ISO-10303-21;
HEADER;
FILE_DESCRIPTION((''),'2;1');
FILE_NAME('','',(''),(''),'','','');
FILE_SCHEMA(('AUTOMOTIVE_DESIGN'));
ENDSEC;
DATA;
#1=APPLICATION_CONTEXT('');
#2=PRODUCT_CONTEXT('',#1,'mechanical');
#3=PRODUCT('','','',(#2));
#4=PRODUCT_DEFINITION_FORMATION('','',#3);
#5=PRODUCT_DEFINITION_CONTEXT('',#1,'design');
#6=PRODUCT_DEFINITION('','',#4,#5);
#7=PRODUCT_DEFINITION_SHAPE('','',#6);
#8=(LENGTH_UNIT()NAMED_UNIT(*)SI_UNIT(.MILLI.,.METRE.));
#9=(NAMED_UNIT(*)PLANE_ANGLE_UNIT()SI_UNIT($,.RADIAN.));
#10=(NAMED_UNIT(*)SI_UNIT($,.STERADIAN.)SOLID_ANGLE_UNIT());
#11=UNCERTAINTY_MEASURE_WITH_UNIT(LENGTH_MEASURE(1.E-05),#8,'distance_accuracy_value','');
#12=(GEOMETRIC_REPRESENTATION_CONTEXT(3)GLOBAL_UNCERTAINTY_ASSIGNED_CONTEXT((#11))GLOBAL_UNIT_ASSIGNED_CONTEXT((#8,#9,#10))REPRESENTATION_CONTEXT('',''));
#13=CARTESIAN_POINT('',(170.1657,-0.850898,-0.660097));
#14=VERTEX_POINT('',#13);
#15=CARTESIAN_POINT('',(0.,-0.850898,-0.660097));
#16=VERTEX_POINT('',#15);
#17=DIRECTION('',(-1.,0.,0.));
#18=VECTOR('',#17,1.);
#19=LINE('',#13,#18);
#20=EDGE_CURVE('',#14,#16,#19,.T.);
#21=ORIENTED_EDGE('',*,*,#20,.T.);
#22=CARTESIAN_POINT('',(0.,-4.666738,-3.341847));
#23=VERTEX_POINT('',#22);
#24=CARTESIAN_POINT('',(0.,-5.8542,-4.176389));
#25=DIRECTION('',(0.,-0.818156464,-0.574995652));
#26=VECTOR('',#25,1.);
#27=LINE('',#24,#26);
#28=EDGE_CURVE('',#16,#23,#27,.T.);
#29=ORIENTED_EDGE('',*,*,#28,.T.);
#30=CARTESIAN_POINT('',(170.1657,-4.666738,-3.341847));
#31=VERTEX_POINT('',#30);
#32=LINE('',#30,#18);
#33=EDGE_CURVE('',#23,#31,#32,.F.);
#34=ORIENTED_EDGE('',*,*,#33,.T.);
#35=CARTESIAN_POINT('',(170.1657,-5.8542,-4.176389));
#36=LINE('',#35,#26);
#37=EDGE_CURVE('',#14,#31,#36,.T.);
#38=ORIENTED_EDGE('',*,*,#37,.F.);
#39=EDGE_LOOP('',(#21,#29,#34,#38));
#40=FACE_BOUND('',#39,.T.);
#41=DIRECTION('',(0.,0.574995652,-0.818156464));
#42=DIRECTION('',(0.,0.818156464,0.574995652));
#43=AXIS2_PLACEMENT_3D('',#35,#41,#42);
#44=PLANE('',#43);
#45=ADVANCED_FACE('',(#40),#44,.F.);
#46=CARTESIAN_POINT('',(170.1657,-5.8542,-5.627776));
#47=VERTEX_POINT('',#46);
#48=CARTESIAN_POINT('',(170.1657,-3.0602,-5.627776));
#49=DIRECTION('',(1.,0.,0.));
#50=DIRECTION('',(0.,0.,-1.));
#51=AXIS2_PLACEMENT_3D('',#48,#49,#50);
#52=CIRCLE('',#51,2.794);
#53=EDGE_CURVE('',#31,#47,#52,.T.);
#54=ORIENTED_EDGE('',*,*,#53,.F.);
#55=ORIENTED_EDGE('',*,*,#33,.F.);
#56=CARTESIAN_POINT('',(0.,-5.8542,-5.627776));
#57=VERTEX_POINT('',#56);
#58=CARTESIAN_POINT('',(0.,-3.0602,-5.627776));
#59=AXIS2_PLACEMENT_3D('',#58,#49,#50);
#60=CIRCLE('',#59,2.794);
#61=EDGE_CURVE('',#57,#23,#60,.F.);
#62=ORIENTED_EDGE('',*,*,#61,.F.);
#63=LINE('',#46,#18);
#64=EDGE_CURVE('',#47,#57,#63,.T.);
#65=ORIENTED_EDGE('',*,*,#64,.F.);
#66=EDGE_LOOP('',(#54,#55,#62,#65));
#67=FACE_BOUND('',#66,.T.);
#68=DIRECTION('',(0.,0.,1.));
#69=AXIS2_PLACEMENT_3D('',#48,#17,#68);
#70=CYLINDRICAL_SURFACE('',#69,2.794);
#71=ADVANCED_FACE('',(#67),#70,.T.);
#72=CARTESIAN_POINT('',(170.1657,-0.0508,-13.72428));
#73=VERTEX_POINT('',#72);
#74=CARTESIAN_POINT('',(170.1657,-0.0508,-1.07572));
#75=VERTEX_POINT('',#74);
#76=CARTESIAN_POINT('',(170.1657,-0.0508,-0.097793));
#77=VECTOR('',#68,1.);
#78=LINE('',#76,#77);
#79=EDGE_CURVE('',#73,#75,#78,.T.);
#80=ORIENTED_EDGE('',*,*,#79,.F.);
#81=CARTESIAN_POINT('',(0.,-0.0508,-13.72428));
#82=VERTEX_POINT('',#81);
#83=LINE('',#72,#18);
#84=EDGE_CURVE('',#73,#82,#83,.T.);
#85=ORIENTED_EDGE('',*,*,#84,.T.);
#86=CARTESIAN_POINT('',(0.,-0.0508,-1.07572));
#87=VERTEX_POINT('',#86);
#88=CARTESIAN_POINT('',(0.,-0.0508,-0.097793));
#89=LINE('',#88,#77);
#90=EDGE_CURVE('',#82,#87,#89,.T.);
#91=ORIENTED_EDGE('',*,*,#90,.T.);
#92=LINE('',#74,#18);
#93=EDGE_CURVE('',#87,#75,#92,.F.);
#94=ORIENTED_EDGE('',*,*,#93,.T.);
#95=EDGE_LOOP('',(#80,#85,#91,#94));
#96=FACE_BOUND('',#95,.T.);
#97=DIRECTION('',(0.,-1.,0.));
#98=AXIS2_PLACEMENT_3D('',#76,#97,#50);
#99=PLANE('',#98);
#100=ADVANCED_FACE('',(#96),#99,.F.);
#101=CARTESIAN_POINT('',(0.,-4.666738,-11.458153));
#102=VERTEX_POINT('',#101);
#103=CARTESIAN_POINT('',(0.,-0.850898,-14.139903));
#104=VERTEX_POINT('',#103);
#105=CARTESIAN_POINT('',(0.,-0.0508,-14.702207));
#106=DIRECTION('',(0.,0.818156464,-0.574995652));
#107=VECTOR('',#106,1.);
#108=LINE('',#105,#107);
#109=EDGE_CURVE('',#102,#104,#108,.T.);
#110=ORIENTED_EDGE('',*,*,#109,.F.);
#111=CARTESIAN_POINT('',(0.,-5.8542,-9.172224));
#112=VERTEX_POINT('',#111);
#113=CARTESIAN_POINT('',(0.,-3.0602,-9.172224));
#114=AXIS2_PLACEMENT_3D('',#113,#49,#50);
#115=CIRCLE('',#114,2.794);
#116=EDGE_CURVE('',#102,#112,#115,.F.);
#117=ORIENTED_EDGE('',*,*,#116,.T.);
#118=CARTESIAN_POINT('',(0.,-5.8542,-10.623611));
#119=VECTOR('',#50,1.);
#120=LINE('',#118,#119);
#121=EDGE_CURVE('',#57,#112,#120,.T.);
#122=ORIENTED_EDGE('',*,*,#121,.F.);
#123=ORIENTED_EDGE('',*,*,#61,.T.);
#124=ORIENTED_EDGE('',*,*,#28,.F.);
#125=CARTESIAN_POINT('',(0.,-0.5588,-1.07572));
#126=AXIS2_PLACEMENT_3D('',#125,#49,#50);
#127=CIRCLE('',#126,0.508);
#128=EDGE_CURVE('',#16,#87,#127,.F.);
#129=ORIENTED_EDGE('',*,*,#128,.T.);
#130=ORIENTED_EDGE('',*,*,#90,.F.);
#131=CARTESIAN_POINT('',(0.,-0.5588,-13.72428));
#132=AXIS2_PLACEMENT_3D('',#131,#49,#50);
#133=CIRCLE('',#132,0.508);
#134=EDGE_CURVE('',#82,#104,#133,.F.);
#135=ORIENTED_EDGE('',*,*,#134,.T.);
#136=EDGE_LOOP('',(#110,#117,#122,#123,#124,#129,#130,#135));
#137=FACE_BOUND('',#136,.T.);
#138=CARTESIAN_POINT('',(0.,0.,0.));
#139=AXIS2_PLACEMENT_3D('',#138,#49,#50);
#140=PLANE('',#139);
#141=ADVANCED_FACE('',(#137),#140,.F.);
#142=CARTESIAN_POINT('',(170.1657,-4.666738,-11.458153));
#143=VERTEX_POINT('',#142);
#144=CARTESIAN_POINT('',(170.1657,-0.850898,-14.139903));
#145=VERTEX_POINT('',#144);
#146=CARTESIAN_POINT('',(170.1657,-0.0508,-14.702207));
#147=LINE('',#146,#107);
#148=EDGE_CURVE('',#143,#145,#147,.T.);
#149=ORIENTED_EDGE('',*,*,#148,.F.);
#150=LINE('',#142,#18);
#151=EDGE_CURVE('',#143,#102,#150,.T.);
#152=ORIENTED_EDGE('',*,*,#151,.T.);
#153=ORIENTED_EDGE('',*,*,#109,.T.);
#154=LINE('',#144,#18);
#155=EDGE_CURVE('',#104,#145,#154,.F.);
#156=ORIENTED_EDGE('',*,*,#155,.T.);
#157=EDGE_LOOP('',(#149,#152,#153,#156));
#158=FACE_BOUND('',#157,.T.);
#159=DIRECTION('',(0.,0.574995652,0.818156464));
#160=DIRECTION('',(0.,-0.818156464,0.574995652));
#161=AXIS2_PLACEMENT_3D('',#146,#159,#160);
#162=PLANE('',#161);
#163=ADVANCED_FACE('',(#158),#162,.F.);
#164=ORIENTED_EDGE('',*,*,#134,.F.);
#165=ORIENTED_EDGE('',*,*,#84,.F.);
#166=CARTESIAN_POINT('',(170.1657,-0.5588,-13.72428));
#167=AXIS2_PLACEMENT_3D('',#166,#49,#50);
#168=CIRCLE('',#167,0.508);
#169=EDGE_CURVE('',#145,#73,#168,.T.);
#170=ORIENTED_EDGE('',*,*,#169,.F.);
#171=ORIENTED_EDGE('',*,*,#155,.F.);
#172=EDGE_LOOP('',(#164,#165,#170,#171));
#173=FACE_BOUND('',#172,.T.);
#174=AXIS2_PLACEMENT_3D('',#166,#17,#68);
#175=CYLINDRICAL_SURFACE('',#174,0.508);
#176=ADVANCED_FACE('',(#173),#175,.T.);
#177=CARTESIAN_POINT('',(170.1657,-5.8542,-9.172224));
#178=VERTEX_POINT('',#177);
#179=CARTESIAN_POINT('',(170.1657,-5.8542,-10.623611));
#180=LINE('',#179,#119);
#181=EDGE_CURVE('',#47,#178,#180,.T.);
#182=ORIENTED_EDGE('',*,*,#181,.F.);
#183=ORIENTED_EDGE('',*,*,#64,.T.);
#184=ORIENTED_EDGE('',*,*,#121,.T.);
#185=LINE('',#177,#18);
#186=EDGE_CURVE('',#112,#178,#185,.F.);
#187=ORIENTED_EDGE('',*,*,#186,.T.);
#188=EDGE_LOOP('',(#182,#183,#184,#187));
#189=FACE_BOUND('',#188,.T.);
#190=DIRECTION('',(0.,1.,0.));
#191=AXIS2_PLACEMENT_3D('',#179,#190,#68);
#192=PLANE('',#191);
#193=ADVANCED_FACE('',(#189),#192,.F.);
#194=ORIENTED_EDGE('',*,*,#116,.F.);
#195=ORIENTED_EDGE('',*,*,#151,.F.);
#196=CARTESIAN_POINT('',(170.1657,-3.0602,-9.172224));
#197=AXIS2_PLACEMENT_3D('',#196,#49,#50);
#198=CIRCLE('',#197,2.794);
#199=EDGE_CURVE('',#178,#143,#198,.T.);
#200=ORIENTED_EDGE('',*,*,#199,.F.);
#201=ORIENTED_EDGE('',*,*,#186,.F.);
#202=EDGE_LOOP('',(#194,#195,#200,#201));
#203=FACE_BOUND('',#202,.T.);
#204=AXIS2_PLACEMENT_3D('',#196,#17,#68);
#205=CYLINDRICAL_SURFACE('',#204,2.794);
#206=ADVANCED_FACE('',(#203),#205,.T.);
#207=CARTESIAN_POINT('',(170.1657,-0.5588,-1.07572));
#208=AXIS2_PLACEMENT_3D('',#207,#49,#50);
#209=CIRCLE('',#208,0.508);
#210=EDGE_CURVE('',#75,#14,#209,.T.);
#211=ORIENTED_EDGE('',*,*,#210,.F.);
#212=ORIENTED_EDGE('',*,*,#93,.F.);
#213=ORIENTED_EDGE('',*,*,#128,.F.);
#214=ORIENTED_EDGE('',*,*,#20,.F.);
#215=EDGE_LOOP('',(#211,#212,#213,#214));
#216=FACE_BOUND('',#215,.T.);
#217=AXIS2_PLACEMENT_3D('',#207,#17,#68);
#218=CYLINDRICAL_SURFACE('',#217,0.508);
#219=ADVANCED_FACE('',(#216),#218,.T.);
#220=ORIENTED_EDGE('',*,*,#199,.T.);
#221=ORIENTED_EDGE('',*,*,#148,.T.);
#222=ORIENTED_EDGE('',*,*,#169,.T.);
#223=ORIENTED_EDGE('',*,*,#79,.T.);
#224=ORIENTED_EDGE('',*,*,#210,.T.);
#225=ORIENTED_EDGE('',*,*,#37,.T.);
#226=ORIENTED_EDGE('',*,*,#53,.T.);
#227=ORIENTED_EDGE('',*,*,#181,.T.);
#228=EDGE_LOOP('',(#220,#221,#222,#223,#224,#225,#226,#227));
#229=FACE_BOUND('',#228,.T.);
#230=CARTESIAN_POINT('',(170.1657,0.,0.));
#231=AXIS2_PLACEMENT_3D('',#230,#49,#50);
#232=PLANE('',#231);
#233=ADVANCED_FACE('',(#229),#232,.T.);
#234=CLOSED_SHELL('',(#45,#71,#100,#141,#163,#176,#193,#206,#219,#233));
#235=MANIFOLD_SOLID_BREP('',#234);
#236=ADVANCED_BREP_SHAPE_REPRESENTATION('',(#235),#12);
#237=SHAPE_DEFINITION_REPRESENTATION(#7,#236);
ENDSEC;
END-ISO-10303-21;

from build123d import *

# Parameters (mm, degrees)
BOSS_EXTRUDE1_DEPTH = 170.165700006
FILLET1_R           = 0.508
FILLET2_R           = 2.794


with BuildPart() as part:
    # Sketch1 → Boss-Extrude1 (new body)
    with BuildSketch(Plane(origin=(0, 0, 0), x_dir=(0, 0, -1), z_dir=(1, 0, 0))):
        Polygon((0.09779276, -0.0508), (14.70220724, -0.0508), (10.623611135, -5.8542), (4.176388865, -5.8542), align=None)
    extrude(amount=BOSS_EXTRUDE1_DEPTH)

    # Fillet1
    fillet1_edges = [part.edges().sort_by_distance(p)[0] for p in [
        (85.082850003, -0.0508, -0.09779276),
        (85.082850003, -0.0508, -14.70220724),
    ]]
    fillet(fillet1_edges, radius=FILLET1_R)

    # Fillet2
    fillet2_edges = [part.edges().sort_by_distance(p)[0] for p in [
        (85.082850003, -5.8542, -10.623611135),
        (85.082850003, -5.8542, -4.176388865),
    ]]
    fillet(fillet2_edges, radius=FILLET2_R)


solid = part.part
